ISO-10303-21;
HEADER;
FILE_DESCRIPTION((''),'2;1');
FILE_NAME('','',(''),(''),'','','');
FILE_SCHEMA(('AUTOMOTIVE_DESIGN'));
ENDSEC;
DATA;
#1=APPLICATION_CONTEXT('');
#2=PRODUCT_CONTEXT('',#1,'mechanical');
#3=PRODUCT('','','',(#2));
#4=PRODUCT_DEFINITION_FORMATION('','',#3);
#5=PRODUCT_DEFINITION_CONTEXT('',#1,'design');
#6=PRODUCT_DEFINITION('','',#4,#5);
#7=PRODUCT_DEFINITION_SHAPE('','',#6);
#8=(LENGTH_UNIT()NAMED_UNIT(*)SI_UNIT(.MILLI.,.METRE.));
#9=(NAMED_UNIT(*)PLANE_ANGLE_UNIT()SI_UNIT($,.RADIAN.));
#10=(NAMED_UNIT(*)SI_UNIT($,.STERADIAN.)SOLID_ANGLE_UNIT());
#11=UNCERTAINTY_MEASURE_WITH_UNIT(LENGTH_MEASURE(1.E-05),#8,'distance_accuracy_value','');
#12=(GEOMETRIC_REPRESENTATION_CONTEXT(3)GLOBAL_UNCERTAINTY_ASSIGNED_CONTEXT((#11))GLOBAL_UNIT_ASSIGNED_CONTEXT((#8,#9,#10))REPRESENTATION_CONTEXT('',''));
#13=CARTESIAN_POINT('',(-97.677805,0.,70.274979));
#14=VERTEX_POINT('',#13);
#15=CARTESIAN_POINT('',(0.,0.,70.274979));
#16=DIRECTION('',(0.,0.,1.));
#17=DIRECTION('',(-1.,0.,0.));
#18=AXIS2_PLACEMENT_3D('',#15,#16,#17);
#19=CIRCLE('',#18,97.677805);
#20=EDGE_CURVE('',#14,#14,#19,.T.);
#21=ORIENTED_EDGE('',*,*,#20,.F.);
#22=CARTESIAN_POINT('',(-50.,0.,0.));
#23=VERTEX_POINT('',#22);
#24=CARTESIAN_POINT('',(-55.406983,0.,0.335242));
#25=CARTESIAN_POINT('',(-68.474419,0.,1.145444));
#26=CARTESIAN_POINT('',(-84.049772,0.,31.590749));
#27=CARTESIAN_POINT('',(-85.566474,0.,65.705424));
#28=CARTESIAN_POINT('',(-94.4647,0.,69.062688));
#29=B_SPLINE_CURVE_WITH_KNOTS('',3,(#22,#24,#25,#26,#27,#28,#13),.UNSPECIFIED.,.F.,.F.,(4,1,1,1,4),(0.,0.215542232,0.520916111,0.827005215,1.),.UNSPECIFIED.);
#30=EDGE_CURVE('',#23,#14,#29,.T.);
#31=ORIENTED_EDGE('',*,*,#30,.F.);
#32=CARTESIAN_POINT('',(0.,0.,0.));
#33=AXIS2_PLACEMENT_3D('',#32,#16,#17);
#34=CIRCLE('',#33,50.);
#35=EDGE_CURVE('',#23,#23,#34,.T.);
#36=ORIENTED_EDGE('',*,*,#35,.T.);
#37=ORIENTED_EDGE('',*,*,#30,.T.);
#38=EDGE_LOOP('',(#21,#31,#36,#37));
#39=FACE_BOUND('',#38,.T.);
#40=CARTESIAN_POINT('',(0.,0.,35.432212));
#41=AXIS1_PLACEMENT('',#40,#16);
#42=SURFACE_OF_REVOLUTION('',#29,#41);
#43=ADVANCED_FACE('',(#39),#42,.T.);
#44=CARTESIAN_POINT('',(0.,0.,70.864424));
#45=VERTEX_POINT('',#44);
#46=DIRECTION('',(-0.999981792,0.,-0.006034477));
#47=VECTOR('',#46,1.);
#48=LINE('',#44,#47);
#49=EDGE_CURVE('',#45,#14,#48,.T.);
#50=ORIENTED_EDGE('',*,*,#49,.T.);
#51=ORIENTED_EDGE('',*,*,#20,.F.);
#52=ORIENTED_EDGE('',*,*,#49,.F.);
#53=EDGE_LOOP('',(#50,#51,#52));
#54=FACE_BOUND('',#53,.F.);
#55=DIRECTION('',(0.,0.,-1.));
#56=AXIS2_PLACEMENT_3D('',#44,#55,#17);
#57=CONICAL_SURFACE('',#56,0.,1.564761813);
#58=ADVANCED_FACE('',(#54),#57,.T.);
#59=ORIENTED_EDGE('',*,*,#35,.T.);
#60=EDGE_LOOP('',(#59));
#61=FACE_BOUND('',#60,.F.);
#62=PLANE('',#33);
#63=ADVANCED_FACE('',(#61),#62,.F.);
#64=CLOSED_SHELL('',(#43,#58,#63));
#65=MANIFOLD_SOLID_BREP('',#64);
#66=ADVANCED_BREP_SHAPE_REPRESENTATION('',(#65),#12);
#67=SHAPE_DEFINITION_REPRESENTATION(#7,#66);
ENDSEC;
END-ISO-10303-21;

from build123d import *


with BuildPart() as f1:
    # F0 (on Front) → F1 (revolve)
    with BuildSketch(Plane.XZ):
        with BuildLine():
            Line((-50, 0), (0, 0))
            Line((0, 0), (0, 70.8644241095))
            Line((0, 70.8644241095), (-97.6778045294, 70.2749788765))
            add(Edge.make_bspline(
                [(-50, 0), (-55.4069828109, 0.3352417393), (-68.4744194424, 1.1454440901), (-84.049772408, 31.5907485932), (-85.566474386, 65.7054240563), (-94.4646999741, 69.062687804), (-97.6778045294, 70.2749788765)],
                knots=[0, 0, 0, 0, 0.2155422322, 0.5209161114, 0.8270052147, 1, 1, 1, 1], degree=3))
        make_face()
    revolve(axis=Axis((0, 0, 35.4322120547), (0, 0, 1)))


solid = f1.part
